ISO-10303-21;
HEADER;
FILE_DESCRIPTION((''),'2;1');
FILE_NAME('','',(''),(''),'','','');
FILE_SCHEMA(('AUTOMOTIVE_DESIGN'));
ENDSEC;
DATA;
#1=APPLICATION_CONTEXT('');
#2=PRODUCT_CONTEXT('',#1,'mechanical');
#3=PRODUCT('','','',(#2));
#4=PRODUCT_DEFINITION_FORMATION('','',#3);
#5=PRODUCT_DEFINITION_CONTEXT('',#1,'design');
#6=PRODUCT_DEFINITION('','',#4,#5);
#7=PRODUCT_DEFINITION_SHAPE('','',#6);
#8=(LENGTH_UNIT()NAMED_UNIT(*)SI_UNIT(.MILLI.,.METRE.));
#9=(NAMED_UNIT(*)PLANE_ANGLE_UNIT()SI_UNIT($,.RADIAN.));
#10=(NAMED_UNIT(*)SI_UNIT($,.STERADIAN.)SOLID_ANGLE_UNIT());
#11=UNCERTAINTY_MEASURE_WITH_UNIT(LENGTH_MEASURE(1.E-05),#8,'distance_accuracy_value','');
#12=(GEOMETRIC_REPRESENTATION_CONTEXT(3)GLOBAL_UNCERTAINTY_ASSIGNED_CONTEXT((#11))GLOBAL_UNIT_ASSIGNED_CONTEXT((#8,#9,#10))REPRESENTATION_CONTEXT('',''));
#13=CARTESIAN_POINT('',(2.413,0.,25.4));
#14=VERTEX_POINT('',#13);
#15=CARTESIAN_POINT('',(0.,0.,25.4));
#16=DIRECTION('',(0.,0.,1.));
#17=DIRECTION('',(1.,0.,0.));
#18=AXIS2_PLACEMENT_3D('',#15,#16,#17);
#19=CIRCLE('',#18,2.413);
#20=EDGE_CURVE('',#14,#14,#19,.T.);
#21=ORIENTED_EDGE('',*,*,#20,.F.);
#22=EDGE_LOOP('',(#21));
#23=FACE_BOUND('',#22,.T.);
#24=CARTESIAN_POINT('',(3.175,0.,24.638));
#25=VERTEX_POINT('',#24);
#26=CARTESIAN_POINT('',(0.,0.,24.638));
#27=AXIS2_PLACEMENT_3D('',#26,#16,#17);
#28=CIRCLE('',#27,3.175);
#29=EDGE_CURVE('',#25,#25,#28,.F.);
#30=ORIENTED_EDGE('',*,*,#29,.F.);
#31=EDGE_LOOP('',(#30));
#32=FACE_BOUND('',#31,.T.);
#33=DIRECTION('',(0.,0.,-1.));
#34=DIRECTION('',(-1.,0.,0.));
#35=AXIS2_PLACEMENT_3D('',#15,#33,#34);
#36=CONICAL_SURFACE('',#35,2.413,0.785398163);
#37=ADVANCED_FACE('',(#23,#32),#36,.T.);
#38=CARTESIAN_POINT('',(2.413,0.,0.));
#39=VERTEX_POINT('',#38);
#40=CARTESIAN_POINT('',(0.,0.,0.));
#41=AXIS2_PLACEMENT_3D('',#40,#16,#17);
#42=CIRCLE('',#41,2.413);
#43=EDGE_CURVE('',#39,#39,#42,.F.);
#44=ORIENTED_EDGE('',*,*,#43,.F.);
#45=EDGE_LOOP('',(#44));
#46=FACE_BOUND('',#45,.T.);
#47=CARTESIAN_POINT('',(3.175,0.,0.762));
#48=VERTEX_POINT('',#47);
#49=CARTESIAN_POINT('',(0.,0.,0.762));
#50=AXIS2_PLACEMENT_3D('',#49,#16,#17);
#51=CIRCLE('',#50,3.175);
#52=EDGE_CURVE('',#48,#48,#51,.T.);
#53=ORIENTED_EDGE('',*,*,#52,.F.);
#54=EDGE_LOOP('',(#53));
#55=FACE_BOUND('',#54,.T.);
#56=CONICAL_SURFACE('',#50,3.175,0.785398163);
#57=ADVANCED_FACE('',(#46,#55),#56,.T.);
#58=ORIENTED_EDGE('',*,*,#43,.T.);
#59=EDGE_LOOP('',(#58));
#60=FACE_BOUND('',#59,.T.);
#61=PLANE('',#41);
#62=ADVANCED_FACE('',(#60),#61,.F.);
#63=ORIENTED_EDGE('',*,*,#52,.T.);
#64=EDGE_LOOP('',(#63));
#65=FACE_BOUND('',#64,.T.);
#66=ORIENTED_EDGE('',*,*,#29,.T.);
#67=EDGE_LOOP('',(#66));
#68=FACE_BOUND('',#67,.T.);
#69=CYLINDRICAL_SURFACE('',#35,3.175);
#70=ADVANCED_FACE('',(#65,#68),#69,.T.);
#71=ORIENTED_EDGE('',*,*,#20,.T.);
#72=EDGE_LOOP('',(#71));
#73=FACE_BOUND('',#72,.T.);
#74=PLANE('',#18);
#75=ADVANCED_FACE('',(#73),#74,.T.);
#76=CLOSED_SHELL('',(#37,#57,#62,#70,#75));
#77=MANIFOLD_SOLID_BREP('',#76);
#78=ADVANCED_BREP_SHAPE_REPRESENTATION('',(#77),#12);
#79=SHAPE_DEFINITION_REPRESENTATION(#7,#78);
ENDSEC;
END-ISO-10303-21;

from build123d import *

# Parameters (mm, degrees)
SKETCH1_R           = 3.175
BOSS_EXTRUDE1_DEPTH = 25.4
CHAMFER1_SIZE       = 0.762


with BuildPart() as part:
    # Sketch1 → Boss-Extrude1 (new body)
    with BuildSketch(Plane.XY):
        Circle(SKETCH1_R)
    extrude(amount=BOSS_EXTRUDE1_DEPTH)

    # Chamfer1
    chamfer1_edges = [part.edges().sort_by_distance(p)[0] for p in [
        (-3.175, 0, 0),
        (-3.175, 0, 25.4),
    ]]
    chamfer(chamfer1_edges, length=CHAMFER1_SIZE)


solid = part.part
